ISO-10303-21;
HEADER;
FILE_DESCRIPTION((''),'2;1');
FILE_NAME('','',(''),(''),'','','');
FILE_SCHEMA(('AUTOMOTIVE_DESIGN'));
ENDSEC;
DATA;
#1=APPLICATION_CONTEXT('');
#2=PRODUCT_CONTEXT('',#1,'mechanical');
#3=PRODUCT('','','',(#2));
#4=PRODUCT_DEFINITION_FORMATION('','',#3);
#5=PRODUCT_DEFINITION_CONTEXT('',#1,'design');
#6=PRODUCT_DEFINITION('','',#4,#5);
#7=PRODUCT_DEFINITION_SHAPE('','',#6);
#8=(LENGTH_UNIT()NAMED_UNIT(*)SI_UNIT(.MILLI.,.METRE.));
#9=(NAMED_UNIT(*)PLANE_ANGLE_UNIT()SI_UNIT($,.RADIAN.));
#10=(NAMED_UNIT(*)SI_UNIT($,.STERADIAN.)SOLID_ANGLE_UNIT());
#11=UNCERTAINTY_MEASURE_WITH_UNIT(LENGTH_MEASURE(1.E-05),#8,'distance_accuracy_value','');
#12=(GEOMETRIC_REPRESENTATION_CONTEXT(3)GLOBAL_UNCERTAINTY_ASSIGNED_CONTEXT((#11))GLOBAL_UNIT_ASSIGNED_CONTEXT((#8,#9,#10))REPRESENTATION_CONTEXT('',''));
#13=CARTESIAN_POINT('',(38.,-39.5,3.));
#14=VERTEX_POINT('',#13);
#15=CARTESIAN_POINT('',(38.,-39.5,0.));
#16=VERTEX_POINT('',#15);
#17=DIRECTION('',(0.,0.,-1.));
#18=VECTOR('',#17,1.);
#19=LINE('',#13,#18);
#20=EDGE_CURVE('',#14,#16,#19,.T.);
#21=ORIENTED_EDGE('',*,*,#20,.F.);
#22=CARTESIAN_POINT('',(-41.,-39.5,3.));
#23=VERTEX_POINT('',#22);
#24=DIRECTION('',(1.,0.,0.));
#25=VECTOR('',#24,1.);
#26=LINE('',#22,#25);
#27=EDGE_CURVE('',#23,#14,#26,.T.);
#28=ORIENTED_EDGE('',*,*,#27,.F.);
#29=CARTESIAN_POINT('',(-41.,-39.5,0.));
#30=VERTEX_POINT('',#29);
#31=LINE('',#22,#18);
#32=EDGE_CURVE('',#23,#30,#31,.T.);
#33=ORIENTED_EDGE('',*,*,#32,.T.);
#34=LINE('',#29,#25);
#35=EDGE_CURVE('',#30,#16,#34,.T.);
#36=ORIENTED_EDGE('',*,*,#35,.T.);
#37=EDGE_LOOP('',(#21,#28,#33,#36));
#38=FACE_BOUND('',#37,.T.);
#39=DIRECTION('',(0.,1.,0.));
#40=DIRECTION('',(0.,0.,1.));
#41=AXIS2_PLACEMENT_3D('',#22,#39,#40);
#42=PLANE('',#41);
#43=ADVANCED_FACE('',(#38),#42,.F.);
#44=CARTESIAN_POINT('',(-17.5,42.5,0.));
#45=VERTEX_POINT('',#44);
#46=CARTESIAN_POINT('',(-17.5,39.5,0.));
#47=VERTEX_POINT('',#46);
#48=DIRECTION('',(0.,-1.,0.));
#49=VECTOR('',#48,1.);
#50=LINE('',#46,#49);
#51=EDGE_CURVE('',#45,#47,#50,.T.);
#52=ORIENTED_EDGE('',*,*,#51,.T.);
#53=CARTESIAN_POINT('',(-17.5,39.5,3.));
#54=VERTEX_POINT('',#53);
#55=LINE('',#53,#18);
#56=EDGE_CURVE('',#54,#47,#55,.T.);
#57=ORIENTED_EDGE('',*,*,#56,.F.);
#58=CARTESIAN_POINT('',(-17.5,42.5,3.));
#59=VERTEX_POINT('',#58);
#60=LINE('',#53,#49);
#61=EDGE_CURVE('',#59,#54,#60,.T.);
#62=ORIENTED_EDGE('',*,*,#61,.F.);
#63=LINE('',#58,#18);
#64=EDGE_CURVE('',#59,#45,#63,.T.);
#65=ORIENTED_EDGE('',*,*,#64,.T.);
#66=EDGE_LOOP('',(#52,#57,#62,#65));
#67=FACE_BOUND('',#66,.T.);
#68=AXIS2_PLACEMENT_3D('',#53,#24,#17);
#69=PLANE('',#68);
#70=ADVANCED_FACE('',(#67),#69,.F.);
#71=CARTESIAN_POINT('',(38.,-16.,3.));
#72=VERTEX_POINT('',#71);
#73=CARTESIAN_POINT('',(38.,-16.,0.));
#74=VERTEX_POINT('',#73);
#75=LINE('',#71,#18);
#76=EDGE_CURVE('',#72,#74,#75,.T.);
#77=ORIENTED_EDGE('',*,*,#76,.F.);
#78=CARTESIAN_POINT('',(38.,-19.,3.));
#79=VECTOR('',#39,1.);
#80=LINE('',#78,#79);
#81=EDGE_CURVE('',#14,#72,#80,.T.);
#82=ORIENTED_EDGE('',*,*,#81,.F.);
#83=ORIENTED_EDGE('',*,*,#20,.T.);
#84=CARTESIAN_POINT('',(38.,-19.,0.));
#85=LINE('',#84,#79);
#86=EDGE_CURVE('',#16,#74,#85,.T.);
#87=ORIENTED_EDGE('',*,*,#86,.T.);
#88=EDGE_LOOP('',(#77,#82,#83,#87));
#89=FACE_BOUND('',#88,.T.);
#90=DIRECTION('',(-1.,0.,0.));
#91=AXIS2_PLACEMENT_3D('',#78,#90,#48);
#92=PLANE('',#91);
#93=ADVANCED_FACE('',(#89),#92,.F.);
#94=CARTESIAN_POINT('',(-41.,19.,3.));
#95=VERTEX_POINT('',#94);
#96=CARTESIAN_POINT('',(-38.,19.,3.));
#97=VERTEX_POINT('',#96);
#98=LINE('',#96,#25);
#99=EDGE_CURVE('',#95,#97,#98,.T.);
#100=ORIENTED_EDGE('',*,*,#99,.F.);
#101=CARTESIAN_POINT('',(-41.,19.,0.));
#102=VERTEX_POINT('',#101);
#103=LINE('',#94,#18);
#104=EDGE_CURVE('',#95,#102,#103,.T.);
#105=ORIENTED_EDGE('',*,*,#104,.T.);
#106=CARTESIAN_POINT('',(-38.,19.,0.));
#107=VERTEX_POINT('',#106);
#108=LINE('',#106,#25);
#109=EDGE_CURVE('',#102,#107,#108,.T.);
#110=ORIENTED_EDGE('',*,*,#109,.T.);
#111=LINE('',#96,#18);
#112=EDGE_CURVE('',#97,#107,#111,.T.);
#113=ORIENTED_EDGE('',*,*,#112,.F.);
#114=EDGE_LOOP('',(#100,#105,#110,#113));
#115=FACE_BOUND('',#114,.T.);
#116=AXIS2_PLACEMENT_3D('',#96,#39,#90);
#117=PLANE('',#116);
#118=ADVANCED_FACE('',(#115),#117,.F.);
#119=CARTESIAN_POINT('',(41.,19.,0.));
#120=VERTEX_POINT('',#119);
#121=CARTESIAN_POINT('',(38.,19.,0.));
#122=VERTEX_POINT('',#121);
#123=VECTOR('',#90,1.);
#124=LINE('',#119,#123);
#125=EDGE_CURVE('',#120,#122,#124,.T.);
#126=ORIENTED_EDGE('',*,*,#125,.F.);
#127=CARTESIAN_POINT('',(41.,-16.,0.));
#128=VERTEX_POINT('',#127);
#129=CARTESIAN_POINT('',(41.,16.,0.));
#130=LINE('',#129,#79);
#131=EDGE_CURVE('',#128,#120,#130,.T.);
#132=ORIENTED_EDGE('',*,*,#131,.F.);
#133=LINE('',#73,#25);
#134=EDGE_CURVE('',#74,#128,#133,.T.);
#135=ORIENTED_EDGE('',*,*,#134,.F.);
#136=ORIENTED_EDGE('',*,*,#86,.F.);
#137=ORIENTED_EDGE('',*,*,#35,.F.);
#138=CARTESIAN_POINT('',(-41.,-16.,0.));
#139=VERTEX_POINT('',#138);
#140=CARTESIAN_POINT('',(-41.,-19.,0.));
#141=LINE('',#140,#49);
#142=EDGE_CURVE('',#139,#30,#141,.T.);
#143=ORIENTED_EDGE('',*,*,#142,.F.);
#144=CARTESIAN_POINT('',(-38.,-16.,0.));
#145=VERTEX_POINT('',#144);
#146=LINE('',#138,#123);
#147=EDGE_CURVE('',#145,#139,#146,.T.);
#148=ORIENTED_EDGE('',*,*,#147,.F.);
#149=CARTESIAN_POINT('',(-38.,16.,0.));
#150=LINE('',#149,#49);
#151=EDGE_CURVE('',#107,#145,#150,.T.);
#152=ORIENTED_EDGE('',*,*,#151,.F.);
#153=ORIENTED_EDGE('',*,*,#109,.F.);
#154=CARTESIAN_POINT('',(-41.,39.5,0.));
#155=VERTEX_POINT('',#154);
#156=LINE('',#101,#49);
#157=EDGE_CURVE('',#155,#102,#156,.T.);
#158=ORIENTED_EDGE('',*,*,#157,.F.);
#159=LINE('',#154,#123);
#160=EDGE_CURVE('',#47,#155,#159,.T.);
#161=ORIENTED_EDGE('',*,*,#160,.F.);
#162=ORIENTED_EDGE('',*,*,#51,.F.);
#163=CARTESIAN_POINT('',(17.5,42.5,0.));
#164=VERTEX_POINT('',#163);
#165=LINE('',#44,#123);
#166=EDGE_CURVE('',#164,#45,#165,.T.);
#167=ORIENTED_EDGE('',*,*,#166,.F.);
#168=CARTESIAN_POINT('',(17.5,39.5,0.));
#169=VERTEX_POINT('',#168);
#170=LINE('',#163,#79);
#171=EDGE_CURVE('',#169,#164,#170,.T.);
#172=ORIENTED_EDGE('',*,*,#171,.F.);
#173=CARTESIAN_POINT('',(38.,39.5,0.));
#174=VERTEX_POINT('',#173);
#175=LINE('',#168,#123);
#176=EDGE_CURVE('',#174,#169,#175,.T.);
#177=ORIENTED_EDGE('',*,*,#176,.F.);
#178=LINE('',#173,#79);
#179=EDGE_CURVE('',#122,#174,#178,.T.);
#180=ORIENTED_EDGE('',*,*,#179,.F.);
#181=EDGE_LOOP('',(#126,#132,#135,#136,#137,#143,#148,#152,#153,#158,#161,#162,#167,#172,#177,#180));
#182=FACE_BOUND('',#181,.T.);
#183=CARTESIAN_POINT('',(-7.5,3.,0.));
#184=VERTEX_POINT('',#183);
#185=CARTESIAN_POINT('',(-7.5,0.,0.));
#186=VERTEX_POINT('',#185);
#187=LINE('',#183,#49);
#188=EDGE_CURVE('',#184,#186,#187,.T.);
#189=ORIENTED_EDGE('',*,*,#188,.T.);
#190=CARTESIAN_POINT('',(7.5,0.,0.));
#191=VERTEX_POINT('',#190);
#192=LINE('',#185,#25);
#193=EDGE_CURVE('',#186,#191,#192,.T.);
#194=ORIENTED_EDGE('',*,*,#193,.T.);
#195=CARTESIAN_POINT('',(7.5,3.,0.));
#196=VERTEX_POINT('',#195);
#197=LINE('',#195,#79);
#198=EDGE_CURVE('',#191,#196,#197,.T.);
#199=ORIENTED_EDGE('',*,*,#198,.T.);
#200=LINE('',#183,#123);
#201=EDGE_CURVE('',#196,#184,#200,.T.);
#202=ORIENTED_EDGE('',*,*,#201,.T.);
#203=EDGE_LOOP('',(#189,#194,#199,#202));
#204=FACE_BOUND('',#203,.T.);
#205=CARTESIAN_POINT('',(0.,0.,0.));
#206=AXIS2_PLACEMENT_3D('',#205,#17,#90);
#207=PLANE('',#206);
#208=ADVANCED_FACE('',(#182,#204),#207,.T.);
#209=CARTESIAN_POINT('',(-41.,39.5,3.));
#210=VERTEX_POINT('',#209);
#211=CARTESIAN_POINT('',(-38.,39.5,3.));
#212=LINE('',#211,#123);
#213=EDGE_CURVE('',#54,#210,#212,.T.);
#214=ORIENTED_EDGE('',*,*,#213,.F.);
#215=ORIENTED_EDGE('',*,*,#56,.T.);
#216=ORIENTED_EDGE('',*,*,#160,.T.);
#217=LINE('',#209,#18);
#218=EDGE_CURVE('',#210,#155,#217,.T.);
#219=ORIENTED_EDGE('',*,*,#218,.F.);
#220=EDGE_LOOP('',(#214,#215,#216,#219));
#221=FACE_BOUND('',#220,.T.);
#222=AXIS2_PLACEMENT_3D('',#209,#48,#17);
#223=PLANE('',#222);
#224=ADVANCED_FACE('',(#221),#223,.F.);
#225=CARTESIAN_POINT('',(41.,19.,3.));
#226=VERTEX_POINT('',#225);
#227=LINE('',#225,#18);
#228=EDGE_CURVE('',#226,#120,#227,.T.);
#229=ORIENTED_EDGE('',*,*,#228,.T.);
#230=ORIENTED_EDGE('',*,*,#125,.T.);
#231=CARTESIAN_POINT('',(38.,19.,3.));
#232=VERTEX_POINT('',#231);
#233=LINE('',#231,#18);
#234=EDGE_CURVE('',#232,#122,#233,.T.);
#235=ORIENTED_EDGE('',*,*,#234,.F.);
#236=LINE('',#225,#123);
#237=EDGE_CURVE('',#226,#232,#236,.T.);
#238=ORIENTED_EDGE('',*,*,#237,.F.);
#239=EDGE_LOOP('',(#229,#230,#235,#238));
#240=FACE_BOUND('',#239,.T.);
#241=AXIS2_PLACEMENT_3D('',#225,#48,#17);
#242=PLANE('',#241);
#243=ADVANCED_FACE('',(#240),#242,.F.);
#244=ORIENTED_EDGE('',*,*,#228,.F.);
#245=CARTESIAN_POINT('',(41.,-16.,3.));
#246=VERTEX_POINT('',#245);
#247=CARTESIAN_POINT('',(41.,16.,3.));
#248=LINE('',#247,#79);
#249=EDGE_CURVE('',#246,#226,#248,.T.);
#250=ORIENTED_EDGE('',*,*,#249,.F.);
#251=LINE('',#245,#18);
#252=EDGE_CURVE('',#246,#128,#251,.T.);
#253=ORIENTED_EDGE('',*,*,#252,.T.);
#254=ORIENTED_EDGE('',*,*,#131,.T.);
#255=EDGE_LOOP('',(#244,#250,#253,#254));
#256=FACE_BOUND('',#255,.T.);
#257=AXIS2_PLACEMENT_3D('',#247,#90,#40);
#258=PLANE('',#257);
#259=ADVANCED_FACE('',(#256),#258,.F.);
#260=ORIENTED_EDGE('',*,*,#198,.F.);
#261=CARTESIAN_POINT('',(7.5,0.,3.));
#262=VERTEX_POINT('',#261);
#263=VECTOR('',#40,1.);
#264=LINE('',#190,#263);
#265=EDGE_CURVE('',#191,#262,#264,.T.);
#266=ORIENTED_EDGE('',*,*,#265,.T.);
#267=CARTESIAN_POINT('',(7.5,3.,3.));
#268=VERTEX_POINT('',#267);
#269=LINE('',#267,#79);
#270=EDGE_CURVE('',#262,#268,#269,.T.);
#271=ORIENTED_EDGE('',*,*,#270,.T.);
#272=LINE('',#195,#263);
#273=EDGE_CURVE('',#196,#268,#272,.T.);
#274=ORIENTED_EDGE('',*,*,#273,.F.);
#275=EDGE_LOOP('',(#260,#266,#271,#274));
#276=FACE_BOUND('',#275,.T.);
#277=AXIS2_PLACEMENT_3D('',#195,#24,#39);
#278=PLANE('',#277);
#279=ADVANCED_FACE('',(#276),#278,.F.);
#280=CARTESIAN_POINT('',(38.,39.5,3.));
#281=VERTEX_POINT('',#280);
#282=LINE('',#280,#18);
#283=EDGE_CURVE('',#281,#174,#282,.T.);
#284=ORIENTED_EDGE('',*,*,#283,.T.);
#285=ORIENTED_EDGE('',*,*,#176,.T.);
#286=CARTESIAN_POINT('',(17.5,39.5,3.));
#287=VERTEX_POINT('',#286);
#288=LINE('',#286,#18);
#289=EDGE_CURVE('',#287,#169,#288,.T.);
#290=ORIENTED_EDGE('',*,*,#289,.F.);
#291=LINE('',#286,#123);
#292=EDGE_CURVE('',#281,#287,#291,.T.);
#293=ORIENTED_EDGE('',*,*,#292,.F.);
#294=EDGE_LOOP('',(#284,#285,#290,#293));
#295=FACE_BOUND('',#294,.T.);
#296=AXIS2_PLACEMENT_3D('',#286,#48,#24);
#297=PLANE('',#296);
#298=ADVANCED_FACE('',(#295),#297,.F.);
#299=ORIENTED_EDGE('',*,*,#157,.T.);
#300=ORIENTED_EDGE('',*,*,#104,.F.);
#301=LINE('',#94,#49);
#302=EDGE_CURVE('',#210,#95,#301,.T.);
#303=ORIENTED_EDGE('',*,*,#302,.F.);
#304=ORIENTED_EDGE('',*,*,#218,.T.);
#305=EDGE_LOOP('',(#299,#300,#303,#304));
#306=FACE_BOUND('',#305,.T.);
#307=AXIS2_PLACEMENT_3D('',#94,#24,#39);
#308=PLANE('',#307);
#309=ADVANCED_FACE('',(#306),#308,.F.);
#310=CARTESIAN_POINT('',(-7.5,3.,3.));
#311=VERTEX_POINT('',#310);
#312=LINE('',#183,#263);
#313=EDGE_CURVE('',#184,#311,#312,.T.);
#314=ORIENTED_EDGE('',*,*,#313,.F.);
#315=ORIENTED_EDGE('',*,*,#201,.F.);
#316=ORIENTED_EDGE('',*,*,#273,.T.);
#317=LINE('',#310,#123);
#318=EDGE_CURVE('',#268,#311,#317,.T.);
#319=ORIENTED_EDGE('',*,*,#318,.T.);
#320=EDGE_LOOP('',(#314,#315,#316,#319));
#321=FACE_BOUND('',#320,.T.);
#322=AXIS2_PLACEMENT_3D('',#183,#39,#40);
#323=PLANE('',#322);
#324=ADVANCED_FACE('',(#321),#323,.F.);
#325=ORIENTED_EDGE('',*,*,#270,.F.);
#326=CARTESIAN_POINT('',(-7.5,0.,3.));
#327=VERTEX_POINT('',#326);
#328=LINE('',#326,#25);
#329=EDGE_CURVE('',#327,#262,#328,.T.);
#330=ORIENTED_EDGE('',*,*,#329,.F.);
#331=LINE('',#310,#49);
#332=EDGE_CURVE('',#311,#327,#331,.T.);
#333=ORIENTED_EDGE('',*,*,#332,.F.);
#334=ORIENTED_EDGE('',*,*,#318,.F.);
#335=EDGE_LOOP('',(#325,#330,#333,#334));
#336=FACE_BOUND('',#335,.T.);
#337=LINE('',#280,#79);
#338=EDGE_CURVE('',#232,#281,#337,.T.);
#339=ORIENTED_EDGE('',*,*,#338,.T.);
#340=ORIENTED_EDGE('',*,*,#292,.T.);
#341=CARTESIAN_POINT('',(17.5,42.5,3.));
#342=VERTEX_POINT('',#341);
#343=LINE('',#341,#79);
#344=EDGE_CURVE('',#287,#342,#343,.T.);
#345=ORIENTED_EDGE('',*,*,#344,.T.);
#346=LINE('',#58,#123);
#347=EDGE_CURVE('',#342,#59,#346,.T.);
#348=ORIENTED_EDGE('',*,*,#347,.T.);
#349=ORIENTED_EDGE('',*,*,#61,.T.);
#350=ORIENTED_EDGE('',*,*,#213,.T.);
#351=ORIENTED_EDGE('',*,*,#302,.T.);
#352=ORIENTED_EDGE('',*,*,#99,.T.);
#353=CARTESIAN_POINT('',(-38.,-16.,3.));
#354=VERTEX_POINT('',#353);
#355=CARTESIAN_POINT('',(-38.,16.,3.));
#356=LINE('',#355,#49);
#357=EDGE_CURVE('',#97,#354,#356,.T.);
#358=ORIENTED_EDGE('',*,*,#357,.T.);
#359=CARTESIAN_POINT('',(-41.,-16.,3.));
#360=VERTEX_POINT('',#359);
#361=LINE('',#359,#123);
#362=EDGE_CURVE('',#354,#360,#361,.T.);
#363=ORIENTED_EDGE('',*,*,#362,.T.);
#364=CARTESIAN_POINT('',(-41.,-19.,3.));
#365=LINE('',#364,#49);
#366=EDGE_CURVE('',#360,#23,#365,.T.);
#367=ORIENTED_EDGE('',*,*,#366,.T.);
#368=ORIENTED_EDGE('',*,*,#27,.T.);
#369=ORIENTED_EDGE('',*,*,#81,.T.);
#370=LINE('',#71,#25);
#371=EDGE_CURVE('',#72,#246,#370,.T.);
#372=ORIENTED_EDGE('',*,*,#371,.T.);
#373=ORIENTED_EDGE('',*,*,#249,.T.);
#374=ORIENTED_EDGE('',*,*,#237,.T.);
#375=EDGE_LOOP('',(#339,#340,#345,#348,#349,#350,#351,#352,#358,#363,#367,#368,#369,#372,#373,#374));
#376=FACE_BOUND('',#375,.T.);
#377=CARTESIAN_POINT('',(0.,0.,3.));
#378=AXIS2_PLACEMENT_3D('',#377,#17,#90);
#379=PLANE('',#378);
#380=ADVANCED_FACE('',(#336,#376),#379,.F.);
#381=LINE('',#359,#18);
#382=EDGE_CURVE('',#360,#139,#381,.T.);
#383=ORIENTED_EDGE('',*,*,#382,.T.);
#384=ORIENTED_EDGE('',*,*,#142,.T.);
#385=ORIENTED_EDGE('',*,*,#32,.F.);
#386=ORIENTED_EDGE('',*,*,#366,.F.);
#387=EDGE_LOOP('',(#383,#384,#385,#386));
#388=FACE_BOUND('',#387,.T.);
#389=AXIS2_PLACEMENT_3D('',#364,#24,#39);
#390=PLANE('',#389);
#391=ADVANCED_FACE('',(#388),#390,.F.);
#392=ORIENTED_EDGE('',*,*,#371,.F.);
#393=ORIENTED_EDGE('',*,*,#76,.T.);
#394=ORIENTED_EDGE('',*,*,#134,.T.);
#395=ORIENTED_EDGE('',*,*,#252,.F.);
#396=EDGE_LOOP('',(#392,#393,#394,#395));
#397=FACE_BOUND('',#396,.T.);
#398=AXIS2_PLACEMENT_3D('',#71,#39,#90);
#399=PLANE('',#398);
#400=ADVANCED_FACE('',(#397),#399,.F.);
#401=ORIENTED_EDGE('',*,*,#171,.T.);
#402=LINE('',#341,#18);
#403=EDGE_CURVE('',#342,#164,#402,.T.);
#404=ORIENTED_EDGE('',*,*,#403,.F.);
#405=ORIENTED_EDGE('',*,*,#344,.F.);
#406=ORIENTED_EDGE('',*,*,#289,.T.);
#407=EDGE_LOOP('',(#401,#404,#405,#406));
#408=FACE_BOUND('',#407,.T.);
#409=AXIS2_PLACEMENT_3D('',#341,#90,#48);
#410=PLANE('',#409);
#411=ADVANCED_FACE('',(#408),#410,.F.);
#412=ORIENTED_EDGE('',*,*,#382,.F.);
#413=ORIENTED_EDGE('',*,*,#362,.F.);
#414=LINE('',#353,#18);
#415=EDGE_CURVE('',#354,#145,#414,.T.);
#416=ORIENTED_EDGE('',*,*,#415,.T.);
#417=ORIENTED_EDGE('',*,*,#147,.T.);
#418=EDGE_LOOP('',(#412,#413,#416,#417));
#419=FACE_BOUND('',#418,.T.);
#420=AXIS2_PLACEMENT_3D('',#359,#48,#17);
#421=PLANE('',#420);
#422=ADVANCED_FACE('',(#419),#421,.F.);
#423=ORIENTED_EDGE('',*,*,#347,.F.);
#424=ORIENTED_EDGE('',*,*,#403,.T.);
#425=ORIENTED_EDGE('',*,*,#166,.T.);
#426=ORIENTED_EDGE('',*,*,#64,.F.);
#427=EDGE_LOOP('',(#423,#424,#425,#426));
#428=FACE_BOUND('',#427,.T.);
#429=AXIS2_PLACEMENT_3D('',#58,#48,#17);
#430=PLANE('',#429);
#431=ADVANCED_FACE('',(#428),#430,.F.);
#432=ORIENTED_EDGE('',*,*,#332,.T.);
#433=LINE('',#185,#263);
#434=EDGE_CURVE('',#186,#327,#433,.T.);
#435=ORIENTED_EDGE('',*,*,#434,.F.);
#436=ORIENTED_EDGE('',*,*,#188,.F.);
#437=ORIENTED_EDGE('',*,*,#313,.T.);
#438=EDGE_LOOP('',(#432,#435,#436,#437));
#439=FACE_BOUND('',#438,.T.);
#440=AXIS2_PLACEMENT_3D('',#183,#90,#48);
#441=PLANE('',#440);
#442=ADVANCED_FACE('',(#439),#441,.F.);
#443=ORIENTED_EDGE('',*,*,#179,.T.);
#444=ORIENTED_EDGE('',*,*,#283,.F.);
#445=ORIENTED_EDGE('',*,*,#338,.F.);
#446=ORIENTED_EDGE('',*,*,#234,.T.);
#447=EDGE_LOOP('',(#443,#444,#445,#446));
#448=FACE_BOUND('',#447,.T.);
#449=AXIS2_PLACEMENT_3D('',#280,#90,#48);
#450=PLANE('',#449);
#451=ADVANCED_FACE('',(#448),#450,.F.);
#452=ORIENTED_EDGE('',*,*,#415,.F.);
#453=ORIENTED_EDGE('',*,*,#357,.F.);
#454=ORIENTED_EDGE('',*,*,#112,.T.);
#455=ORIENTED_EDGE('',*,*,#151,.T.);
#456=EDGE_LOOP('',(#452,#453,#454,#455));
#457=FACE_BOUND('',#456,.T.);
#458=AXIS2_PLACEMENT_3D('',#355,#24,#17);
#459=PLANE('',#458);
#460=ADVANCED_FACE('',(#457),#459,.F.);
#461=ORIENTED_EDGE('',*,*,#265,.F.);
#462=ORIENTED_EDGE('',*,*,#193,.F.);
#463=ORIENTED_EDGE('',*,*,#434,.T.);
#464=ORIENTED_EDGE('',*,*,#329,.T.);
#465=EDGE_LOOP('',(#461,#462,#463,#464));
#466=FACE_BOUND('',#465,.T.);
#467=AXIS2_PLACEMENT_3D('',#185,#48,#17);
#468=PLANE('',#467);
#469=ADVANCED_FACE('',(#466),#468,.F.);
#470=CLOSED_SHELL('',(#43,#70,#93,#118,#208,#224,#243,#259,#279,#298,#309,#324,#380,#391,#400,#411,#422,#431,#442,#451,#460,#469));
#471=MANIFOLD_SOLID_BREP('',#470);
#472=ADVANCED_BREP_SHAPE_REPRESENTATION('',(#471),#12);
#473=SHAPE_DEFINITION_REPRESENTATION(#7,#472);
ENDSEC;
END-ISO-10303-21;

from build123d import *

# Parameters (mm, degrees)
BOSS_EXTRUDE1_DEPTH = 3
SKETCH2_W           = 15
SKETCH2_H           = 3
CUT_EXTRUDE1_DEPTH  = 3


with BuildPart() as part:
    # Sketch1 → Boss-Extrude1 (new body)
    with BuildSketch(Plane.XY):
        Polygon((-38, 39.5), (-17.5, 39.5), (-17.5, 42.5), (17.5, 42.5), (17.5, 39.5), (38, 39.5), (38, 19), (41, 19), (41, 16), (41, -16), (38, -16), (38, -19), (38, -39.5), (-41, -39.5), (-41, -19), (-41, -16), (-38, -16), (-38, 16), (-38, 19), (-41, 19), (-41, 39.5), align=None)
    extrude(amount=BOSS_EXTRUDE1_DEPTH)

    # Sketch2 → Cut-Extrude1 (cut)
    with BuildSketch(Plane.XY.offset(3)):
        with Locations((0, 1.5)):
            Rectangle(SKETCH2_W, SKETCH2_H)
    extrude(amount=-CUT_EXTRUDE1_DEPTH, mode=Mode.SUBTRACT)


solid = part.part
